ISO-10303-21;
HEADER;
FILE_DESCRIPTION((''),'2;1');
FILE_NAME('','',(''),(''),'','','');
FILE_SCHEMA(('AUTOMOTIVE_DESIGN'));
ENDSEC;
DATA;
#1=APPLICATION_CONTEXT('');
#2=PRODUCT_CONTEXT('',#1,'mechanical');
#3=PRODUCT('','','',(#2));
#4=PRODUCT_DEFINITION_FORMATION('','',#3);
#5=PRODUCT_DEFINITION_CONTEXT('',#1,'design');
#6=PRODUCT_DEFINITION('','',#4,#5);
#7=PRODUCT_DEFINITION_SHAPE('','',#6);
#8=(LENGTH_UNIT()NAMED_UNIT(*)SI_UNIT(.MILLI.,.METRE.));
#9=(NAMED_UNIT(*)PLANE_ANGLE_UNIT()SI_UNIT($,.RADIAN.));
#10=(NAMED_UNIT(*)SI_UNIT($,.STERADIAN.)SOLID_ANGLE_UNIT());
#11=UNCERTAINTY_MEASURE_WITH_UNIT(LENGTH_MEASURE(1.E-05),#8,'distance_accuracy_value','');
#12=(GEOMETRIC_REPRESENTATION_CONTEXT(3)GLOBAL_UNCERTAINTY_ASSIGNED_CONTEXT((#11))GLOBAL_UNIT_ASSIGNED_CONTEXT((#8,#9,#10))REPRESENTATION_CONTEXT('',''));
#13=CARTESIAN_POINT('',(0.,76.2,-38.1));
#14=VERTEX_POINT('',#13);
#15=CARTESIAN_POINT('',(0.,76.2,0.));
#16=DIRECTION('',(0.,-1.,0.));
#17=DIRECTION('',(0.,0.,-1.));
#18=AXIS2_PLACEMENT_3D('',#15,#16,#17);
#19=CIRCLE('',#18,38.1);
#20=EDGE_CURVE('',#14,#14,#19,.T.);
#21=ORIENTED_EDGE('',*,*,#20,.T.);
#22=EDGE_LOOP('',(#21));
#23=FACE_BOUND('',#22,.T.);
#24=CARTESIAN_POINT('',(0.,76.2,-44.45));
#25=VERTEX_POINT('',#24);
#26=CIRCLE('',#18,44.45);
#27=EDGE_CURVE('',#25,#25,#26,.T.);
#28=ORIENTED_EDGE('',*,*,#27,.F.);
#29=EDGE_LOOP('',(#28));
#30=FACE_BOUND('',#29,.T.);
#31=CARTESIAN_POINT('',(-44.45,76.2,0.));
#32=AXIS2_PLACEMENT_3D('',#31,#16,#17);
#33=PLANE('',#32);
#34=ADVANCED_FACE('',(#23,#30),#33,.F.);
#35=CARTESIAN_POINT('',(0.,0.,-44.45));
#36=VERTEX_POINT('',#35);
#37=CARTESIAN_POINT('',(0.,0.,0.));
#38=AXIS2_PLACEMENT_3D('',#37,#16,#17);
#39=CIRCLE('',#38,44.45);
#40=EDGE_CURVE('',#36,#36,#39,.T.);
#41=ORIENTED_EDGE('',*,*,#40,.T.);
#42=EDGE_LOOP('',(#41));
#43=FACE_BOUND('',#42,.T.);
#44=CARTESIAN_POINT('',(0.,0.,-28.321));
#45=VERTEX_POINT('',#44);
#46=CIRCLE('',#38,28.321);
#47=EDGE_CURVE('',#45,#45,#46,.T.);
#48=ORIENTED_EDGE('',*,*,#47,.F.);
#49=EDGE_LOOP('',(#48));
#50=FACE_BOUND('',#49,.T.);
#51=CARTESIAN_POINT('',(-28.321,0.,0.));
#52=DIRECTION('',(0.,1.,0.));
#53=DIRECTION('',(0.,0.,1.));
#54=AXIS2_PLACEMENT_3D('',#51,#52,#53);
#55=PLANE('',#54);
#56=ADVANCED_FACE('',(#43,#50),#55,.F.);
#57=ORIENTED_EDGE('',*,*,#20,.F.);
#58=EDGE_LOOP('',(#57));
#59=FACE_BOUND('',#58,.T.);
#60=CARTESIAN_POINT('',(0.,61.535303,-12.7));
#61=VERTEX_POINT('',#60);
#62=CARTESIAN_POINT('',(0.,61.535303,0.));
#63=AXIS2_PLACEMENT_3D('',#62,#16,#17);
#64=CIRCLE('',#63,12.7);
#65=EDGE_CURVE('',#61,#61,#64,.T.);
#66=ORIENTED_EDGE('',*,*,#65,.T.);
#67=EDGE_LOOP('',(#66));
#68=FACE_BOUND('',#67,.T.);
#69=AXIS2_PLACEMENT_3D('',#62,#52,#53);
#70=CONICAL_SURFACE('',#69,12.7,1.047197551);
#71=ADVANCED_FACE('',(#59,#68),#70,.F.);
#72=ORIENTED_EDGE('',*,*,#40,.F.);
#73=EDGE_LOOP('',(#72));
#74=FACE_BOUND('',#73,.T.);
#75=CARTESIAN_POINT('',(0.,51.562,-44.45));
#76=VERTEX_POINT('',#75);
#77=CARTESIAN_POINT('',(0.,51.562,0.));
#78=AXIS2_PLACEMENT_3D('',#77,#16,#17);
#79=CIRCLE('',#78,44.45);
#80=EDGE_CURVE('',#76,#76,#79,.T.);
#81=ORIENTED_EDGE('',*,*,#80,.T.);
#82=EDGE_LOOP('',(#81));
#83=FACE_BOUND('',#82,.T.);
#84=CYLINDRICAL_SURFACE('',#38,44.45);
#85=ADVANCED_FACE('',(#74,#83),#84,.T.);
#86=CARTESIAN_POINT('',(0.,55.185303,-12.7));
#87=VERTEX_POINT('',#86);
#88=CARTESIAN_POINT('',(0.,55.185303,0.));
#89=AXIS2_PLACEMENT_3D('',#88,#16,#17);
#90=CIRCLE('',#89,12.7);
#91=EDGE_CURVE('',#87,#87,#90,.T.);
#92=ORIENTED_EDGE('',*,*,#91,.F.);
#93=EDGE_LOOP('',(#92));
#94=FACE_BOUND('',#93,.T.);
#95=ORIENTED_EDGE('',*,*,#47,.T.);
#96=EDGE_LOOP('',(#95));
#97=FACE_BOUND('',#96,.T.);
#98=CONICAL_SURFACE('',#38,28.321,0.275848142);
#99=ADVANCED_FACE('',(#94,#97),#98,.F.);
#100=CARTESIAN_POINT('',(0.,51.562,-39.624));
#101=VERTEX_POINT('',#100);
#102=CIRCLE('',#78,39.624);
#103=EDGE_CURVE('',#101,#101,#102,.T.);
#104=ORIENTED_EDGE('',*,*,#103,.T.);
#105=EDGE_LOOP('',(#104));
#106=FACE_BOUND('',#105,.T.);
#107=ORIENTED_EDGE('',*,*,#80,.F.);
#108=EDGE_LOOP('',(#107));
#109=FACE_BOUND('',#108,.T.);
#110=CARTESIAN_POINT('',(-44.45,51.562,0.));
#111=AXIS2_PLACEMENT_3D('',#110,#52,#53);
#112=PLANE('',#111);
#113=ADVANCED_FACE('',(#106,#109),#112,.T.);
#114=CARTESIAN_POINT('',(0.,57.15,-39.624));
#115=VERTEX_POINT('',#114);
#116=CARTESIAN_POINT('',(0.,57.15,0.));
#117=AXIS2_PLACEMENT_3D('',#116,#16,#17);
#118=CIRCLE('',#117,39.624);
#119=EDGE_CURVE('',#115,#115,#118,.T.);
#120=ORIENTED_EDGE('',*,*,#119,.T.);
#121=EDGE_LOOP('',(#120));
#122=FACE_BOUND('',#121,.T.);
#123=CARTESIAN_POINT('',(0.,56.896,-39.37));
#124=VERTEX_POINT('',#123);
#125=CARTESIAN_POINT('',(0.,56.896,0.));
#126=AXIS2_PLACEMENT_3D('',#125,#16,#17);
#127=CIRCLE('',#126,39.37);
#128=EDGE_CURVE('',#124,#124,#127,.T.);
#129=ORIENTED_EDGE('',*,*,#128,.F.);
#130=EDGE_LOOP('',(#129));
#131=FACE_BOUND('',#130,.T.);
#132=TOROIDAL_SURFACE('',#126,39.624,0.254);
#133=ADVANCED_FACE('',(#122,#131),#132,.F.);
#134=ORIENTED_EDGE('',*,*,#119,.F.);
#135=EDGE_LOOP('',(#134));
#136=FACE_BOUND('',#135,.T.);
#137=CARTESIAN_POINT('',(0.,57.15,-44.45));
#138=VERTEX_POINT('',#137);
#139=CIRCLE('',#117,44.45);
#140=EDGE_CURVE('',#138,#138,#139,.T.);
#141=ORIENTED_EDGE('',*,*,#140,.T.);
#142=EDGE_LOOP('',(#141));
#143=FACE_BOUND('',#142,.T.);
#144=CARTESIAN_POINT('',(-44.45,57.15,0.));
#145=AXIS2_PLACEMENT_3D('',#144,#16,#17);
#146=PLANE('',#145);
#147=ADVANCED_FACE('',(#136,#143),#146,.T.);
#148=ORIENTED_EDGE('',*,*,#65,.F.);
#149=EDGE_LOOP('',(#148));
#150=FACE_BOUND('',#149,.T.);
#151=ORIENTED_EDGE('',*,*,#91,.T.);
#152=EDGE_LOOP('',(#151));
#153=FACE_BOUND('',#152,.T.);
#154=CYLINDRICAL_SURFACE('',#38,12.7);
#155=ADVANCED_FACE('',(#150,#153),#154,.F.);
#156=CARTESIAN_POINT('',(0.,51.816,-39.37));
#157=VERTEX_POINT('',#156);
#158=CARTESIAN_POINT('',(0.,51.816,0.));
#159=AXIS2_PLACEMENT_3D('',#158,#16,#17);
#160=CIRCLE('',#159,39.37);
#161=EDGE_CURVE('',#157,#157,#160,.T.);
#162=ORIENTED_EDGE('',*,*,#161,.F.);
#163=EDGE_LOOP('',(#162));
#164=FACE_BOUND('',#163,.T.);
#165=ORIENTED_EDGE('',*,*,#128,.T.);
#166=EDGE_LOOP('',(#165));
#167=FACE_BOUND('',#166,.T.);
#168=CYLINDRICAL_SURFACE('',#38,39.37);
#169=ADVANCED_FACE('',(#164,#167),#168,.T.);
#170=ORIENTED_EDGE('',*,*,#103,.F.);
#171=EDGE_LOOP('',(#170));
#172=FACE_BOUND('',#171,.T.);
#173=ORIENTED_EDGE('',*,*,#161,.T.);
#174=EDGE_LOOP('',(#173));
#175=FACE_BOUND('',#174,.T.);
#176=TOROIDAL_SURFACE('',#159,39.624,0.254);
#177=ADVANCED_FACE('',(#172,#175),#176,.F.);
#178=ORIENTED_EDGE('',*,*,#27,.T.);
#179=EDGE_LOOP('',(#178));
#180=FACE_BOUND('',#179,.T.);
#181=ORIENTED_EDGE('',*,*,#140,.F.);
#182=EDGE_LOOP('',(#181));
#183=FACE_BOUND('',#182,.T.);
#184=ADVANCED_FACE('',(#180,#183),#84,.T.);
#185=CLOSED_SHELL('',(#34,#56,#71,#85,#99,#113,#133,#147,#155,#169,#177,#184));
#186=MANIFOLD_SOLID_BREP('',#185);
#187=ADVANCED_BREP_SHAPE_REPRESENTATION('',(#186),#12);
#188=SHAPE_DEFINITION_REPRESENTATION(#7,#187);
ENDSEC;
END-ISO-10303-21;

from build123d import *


with BuildPart() as part:
    # Sketch1 → Revolve1 (revolve)
    with BuildSketch(Plane.XY):
        Polygon((-44.45, 0), (-44.45, 76.2), (-38.1, 76.2), (-12.7, 61.535303163), (-12.7, 55.185303163), (-28.321, 0), align=None)
    revolve(axis=Axis((0, 0, 0), (0, 1, 0)))

    # Sketch2 → Cut-Revolve1 (revolve, cut)
    with BuildSketch(Plane.XY):
        with BuildLine():
            Line((-44.45, 57.15), (-39.624, 57.15))
            ThreePointArc((-39.624, 57.15), (-39.444394878, 57.075605122), (-39.37, 56.896))
            Line((-39.37, 56.896), (-39.37, 51.816))
            ThreePointArc((-39.37, 51.816), (-39.444394878, 51.636394878), (-39.624, 51.562))
            Line((-39.624, 51.562), (-44.45, 51.562))
            Line((-44.45, 51.562), (-44.45, 57.15))
        make_face()
    revolve(axis=Axis((0, 0, 0), (0, 1, 0)), mode=Mode.SUBTRACT)


solid = part.part
